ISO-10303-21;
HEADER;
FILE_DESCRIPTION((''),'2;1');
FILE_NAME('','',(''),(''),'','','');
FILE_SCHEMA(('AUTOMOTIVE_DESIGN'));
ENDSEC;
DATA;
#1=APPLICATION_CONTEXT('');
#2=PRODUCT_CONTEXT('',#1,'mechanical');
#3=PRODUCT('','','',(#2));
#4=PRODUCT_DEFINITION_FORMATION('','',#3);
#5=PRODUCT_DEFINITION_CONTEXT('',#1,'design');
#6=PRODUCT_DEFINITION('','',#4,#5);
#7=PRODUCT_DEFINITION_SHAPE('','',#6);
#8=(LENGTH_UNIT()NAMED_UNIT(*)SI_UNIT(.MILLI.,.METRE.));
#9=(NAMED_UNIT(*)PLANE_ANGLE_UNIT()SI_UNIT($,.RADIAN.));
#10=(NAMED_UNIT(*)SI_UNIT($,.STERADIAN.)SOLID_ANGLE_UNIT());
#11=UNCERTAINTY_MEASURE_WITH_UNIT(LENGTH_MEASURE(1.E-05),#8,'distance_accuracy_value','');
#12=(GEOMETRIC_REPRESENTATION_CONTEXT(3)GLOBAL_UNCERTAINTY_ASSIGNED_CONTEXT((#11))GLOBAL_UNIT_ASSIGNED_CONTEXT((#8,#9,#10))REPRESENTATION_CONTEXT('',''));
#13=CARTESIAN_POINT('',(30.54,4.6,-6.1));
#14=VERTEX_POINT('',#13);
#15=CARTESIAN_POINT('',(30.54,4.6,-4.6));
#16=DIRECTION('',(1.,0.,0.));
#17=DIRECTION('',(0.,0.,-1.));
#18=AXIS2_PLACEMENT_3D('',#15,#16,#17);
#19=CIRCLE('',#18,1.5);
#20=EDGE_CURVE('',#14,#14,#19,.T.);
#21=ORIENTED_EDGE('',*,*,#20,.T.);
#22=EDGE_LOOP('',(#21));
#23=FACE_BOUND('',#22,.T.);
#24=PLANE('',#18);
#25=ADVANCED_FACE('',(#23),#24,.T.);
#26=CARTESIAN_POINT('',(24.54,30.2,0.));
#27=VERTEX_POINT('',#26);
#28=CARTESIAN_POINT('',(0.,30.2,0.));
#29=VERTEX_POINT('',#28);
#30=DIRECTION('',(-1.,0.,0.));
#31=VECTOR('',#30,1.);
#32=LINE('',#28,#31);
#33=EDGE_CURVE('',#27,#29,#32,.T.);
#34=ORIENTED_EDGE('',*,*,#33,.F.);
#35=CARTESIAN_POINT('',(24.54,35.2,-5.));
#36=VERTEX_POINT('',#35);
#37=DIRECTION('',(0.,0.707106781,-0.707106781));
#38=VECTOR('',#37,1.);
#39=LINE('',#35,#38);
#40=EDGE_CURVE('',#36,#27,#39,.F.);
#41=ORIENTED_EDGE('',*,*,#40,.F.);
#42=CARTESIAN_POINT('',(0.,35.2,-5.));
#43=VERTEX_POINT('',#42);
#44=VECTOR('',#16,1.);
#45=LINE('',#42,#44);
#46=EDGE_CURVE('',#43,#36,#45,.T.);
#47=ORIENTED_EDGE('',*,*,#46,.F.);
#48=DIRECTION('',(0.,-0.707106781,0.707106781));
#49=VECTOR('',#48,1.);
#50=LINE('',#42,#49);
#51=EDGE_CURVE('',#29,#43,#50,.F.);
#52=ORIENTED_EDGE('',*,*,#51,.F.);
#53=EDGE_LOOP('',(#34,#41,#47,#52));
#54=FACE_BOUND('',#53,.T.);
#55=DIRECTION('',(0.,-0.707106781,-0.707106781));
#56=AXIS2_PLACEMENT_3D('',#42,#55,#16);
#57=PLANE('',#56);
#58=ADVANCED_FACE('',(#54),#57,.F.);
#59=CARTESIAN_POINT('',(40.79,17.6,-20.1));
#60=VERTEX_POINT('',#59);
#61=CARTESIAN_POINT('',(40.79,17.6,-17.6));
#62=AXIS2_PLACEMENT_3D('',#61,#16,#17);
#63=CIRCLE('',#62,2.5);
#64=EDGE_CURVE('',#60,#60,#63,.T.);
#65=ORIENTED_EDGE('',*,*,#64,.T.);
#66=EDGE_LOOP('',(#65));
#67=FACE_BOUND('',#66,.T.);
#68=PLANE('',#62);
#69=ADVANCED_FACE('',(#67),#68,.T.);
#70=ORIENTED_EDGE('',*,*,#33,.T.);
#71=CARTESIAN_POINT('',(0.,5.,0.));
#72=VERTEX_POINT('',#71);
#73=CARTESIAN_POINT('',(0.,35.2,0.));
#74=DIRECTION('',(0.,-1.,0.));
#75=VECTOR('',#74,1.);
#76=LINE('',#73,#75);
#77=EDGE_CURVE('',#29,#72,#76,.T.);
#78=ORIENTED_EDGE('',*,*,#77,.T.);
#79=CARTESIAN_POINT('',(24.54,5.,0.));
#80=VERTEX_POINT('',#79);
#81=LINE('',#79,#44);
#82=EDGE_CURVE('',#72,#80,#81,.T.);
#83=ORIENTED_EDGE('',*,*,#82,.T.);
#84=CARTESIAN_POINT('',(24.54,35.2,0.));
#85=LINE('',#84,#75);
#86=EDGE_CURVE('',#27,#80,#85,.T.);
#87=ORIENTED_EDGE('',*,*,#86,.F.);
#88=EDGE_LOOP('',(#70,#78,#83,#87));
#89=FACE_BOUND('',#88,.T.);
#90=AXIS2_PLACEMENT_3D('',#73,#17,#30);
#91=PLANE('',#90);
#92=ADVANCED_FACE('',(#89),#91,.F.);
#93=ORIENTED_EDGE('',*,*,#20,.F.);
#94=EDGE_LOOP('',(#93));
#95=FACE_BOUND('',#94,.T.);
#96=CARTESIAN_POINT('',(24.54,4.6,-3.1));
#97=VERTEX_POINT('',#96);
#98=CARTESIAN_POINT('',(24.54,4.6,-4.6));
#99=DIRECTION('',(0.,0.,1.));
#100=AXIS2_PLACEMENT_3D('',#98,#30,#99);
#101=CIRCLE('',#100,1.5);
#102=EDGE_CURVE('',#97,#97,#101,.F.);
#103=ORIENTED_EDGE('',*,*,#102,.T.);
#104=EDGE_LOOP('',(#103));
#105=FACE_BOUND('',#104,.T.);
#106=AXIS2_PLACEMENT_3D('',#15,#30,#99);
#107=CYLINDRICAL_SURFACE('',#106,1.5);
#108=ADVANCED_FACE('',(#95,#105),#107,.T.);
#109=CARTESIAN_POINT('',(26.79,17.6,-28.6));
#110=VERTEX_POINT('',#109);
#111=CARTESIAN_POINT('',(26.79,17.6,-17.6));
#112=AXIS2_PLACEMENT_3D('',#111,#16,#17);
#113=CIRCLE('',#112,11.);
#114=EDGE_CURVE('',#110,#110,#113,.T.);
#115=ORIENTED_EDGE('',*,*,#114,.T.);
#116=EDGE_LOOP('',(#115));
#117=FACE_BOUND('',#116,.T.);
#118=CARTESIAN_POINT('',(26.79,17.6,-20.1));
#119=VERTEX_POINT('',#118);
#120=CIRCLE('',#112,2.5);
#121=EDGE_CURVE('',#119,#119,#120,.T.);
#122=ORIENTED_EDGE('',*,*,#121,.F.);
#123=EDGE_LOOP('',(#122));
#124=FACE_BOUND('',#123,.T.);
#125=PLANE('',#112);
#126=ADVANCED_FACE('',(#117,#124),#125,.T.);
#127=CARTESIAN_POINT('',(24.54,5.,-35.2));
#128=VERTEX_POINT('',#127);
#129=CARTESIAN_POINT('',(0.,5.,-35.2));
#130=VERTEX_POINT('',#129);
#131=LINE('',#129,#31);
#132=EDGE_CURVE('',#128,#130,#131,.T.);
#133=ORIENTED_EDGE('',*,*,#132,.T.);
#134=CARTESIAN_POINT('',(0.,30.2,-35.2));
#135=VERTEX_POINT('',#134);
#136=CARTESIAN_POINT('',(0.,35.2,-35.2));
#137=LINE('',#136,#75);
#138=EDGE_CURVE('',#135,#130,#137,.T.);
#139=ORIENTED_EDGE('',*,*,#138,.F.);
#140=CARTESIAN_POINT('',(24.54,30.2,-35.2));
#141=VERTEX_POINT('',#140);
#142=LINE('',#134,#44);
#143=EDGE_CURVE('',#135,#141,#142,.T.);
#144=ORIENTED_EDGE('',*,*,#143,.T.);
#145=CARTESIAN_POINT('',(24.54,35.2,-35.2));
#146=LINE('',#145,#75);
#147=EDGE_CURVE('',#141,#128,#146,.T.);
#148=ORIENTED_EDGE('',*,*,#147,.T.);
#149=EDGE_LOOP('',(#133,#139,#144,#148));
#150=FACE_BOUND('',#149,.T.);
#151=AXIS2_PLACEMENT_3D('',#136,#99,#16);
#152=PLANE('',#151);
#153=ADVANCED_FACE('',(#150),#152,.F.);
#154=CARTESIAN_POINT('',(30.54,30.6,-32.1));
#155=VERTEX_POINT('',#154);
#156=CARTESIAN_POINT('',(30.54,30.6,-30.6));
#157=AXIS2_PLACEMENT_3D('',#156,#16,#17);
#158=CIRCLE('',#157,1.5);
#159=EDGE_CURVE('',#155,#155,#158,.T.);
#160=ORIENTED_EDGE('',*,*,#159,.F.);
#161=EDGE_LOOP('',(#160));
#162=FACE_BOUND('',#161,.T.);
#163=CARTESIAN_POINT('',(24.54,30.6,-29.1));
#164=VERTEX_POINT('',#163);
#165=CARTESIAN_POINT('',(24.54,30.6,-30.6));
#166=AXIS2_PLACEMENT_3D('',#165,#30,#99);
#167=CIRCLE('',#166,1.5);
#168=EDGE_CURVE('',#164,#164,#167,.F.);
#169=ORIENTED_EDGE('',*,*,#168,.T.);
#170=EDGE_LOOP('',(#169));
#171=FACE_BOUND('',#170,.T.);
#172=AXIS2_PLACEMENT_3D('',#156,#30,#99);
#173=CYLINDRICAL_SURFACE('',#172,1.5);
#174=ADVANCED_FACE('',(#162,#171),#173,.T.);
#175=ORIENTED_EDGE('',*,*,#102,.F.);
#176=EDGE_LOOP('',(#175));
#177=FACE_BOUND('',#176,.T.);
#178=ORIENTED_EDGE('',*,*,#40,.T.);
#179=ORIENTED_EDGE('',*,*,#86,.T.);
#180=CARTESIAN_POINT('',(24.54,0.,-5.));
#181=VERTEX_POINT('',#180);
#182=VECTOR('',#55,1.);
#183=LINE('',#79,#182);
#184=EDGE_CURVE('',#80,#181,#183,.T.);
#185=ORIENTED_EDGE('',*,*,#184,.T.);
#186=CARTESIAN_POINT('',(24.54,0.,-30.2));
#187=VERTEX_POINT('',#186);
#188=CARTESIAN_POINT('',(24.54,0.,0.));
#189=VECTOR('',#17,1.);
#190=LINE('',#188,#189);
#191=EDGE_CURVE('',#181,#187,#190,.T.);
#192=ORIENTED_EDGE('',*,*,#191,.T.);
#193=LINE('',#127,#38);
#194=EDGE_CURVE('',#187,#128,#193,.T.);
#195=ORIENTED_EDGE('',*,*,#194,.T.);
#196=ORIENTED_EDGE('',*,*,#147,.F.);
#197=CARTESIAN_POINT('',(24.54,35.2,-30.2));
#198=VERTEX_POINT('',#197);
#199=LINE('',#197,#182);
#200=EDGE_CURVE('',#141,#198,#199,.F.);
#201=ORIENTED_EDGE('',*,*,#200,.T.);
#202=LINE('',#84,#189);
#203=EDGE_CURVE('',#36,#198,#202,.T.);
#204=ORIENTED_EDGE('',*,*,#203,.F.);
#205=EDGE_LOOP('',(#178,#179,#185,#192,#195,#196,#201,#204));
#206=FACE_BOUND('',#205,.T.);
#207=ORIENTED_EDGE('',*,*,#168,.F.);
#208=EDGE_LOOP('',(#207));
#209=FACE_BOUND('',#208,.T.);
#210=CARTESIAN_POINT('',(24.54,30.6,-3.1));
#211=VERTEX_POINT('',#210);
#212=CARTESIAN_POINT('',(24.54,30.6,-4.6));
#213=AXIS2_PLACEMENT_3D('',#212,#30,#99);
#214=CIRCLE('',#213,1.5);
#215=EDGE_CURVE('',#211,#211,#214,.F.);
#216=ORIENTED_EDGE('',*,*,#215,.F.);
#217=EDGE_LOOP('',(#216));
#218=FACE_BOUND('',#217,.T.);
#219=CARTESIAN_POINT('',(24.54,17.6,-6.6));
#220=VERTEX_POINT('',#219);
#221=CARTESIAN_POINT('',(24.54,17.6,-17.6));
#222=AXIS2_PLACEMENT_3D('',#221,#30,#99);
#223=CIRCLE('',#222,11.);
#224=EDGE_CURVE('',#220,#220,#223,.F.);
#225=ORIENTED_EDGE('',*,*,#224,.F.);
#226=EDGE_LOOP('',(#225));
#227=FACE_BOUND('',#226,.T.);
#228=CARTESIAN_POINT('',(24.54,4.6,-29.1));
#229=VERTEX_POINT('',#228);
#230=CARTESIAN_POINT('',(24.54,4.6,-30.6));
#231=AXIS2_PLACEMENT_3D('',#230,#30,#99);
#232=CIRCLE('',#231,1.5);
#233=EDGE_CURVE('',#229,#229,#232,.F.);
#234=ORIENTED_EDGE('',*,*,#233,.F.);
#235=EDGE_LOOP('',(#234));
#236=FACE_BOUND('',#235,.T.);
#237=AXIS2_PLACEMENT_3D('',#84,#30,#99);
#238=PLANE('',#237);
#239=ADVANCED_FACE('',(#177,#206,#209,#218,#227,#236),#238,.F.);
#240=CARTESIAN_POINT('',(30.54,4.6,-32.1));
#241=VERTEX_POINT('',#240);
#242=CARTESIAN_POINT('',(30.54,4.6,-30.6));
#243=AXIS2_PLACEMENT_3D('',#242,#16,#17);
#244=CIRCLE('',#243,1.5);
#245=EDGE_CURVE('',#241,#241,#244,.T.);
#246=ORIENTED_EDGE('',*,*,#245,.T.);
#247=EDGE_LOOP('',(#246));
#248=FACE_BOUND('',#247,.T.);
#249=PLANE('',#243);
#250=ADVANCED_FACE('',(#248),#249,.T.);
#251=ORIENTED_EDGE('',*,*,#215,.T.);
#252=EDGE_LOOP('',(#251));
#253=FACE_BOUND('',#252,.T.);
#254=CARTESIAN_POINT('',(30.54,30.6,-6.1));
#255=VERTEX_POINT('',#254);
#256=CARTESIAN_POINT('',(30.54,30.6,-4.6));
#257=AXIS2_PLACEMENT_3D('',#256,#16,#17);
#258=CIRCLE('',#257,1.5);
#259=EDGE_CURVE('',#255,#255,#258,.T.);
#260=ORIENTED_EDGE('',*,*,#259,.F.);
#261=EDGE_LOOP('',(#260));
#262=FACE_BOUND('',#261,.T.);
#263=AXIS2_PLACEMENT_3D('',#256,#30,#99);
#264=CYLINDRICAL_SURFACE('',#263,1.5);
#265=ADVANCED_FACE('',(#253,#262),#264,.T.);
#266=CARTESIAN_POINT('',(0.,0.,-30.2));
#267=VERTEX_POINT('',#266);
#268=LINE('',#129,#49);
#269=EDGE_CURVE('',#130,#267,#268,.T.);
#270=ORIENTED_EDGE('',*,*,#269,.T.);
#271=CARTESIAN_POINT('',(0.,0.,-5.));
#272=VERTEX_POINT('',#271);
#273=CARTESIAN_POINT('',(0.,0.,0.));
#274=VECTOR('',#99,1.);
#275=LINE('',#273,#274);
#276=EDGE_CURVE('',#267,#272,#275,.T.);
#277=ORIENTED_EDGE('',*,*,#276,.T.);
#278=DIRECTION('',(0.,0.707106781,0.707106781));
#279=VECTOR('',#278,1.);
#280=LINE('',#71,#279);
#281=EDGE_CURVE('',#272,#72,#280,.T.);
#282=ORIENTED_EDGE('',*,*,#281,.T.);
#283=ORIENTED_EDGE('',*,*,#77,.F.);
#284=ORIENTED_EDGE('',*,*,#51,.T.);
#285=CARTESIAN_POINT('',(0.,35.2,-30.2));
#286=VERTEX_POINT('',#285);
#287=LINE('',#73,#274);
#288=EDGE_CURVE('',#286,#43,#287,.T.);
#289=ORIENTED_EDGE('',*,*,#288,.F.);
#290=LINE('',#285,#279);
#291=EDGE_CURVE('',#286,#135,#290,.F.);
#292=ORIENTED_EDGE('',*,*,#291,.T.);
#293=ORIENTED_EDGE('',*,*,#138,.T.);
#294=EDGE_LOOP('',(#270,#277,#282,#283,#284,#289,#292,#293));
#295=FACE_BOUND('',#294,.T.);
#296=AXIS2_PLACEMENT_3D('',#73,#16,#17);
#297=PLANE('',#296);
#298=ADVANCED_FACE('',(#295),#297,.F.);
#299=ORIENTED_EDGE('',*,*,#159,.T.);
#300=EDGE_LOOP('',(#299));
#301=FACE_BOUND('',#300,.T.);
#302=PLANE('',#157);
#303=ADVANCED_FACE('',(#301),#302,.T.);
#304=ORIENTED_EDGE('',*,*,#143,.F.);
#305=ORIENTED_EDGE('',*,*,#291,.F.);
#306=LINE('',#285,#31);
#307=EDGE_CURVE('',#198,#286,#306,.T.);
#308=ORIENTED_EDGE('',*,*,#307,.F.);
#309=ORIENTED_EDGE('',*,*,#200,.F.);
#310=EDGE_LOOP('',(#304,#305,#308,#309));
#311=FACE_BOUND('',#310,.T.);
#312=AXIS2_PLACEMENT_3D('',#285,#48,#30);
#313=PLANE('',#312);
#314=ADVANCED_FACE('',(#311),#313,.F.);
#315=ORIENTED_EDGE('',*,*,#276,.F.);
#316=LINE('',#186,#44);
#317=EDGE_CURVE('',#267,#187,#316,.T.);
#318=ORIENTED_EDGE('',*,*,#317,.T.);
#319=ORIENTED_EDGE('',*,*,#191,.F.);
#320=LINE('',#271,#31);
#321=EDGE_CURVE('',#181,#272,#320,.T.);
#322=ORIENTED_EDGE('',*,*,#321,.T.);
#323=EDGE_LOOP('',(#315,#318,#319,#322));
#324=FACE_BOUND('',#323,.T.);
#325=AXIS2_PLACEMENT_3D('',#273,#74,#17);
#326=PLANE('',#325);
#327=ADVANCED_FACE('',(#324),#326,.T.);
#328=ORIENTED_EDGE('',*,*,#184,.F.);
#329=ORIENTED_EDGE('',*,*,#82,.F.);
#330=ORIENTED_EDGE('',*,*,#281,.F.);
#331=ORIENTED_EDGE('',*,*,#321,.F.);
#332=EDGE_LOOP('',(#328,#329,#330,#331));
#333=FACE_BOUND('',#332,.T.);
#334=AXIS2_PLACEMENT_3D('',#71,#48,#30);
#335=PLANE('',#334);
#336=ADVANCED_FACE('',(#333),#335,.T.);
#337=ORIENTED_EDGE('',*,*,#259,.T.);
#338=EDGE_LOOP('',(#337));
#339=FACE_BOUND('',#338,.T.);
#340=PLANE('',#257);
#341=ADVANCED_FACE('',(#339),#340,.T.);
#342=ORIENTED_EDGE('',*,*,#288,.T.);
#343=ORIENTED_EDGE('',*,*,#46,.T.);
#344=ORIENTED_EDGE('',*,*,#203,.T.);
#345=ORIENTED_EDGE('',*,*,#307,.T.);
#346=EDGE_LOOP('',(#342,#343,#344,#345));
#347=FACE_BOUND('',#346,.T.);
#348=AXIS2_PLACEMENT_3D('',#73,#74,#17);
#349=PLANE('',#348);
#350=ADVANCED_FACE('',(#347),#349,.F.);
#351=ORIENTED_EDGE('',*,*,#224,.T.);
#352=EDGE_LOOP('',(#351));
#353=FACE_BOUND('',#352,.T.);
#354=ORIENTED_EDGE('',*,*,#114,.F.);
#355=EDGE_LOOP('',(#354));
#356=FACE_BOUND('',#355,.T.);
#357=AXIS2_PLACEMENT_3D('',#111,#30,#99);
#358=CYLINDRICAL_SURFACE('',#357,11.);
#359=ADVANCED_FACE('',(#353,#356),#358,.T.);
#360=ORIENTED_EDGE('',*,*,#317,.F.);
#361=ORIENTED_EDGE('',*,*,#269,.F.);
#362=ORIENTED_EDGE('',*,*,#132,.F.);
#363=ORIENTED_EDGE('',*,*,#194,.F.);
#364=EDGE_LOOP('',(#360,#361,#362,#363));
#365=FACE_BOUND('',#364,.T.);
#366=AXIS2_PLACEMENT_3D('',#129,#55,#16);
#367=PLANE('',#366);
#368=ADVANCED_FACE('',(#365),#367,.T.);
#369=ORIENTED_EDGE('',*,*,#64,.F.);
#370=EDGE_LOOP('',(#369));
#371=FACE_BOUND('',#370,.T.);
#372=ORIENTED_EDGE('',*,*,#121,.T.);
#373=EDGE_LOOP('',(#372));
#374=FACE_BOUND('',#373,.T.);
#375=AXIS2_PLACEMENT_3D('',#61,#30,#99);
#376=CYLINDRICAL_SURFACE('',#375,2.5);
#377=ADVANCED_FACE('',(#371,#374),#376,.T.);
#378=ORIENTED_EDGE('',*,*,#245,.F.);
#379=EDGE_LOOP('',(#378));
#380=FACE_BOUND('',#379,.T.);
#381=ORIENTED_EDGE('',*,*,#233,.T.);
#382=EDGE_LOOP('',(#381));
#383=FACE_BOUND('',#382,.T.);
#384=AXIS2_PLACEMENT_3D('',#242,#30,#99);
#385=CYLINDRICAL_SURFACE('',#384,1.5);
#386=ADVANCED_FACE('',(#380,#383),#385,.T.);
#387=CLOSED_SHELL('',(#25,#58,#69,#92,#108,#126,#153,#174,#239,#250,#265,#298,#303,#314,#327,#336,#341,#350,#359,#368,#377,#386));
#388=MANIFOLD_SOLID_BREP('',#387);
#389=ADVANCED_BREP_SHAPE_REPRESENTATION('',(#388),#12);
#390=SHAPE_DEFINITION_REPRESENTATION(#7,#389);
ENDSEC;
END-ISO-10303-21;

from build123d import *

# Parameters (mm, degrees)
SKETCH1_W           = 24.54
SKETCH1_H           = 35.2
MAIN_BODY_DEPTH     = 35.2
SKETCH2_R           = 11
LIP_DEPTH           = 2.25
SKETCH3_R           = 2.5
SHAFT_DEPTH         = 14
CHAMFER1_SIZE       = 5
SKETCH4_R           = 1.5
BOSS_EXTRUDE4_DEPTH = 6


with BuildPart() as part:
    # Sketch1 → Main body (new body)
    with BuildSketch(Plane(origin=(0, 0, 0), x_dir=(1, 0, 0), z_dir=(0, 1, 0))):
        with Locations((12.27, 17.6)):
            Rectangle(SKETCH1_W, SKETCH1_H)
    extrude(amount=MAIN_BODY_DEPTH)

    # Sketch2 → lip (add)
    with BuildSketch(Plane(origin=(24.54, 0, 0), x_dir=(0, 0, -1), z_dir=(1, 0, 0))):
        with Locations((17.6, 17.6)):
            Circle(SKETCH2_R)
    extrude(amount=LIP_DEPTH)

    # Sketch3 → shaft (add)
    with BuildSketch(Plane(origin=(26.79, 0, 0), x_dir=(0, 0, -1), z_dir=(1, 0, 0))):
        with Locations((17.6, 17.6)):
            Circle(SKETCH3_R)
    extrude(amount=SHAFT_DEPTH)

    # Chamfer1
    chamfer1_edges = [part.edges().sort_by_distance(p)[0] for p in [
        (12.27, 35.2, -35.2),
        (12.27, 0, -35.2),
        (12.27, 0, 0),
        (12.27, 35.2, 0),
    ]]
    chamfer(chamfer1_edges, length=CHAMFER1_SIZE)

    # Sketch4 → Boss-Extrude4 (add)
    with BuildSketch(Plane(origin=(24.54, 0, 0), x_dir=(0, 0, -1), z_dir=(1, 0, 0))):
        with Locations((30.6, 30.6)):
            Circle(SKETCH4_R)
        with Locations((30.6, 4.6)):
            Circle(SKETCH4_R)
        with Locations((4.6, 30.6)):
            Circle(SKETCH4_R)
        with Locations((4.6, 4.6)):
            Circle(SKETCH4_R)
    extrude(amount=BOSS_EXTRUDE4_DEPTH)


solid = part.part
